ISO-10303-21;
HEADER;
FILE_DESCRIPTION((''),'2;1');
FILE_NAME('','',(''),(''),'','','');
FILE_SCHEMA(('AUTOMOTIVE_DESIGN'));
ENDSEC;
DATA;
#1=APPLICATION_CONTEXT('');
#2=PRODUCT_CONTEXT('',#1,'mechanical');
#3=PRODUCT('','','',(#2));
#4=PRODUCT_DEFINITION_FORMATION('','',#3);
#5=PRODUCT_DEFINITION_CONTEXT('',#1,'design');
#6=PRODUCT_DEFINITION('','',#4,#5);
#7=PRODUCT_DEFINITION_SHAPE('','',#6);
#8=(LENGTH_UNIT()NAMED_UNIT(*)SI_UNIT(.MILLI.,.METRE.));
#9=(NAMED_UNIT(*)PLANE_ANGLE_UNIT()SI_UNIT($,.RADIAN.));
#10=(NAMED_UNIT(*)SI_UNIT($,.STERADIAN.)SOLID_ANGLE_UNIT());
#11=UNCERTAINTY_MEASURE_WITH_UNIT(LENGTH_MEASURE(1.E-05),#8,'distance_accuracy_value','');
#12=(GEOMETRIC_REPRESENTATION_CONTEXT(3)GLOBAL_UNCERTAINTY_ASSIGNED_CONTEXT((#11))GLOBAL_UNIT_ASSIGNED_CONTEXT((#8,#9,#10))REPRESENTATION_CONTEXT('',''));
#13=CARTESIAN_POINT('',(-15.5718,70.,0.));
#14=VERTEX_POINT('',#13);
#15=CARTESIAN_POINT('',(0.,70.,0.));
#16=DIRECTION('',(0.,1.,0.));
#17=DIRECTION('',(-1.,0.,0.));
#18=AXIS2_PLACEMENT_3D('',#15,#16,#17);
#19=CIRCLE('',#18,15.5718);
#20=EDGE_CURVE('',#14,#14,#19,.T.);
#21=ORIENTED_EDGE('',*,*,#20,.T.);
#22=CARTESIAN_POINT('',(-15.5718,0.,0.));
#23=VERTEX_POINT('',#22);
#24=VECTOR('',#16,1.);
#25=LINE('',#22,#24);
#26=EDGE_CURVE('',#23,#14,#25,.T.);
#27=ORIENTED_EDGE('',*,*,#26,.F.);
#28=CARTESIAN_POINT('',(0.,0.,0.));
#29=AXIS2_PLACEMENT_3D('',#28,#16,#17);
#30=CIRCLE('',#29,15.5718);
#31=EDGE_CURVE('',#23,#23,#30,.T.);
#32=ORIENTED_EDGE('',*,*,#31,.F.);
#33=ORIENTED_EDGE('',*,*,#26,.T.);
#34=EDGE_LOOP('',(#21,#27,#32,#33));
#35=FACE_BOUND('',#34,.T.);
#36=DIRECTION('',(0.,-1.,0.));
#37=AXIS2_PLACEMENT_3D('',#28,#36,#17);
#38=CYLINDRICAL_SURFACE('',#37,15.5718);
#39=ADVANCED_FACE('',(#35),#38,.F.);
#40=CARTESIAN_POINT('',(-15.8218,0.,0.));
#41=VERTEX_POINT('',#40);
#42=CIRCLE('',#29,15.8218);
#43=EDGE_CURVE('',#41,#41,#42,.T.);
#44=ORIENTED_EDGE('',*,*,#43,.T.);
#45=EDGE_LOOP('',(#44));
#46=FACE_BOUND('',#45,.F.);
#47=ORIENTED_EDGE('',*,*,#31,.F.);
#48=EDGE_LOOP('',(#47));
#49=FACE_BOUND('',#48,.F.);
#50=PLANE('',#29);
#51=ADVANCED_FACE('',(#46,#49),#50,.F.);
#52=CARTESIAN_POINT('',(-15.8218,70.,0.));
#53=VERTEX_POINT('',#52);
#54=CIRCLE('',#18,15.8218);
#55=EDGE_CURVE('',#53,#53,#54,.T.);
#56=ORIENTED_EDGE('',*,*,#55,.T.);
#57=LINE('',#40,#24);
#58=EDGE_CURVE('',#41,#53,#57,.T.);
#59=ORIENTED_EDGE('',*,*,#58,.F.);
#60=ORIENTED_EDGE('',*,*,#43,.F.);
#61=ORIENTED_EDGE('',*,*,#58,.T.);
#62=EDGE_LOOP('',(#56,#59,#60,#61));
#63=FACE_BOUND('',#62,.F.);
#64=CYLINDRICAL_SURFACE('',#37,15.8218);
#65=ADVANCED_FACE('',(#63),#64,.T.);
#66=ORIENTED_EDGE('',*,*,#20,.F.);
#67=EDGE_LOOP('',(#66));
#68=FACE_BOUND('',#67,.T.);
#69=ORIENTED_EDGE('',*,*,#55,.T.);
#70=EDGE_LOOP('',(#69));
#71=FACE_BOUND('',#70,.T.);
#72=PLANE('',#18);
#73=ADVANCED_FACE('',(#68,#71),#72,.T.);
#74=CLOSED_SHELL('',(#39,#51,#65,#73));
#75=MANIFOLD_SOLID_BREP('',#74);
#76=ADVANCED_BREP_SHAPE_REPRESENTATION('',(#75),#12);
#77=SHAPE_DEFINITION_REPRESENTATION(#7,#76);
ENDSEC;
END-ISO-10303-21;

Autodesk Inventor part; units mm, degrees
ref_plane "YZ Plane" through (0, 0, 0) normal (1, 0, 0) x (0, 1, 0)
ref_plane "XZ Plane" through (0, 0, 0) normal (0, 1, 0) x (-1, 0, 0)
ref_plane "XY Plane" through (0, 0, 0) normal (0, 0, 1) x (1, 0, 0)
sketch "Sketch1" plane through (0, 0, 0) normal (0, 1, 0) x (-1, 0, 0)
  circle A0 centre (0, 0) radius 15.5718
  circle A1 centre (0, 0) radius 15.8218
  dimension "d0" = 31.1436
  dimension "d1" = 31.6436
extrude "Extrusion1" add sketch "Sketch1" along normal blind 70
sketch "Sketch2" plane through (0, 0, 0) normal (0, -1, 0) x (1, 0, 0)
  point P0 (0, 0)
properties part number "DPLX_P008_Wire_Mesh_Sleeve_Trans" material "Aluminum 6061"
